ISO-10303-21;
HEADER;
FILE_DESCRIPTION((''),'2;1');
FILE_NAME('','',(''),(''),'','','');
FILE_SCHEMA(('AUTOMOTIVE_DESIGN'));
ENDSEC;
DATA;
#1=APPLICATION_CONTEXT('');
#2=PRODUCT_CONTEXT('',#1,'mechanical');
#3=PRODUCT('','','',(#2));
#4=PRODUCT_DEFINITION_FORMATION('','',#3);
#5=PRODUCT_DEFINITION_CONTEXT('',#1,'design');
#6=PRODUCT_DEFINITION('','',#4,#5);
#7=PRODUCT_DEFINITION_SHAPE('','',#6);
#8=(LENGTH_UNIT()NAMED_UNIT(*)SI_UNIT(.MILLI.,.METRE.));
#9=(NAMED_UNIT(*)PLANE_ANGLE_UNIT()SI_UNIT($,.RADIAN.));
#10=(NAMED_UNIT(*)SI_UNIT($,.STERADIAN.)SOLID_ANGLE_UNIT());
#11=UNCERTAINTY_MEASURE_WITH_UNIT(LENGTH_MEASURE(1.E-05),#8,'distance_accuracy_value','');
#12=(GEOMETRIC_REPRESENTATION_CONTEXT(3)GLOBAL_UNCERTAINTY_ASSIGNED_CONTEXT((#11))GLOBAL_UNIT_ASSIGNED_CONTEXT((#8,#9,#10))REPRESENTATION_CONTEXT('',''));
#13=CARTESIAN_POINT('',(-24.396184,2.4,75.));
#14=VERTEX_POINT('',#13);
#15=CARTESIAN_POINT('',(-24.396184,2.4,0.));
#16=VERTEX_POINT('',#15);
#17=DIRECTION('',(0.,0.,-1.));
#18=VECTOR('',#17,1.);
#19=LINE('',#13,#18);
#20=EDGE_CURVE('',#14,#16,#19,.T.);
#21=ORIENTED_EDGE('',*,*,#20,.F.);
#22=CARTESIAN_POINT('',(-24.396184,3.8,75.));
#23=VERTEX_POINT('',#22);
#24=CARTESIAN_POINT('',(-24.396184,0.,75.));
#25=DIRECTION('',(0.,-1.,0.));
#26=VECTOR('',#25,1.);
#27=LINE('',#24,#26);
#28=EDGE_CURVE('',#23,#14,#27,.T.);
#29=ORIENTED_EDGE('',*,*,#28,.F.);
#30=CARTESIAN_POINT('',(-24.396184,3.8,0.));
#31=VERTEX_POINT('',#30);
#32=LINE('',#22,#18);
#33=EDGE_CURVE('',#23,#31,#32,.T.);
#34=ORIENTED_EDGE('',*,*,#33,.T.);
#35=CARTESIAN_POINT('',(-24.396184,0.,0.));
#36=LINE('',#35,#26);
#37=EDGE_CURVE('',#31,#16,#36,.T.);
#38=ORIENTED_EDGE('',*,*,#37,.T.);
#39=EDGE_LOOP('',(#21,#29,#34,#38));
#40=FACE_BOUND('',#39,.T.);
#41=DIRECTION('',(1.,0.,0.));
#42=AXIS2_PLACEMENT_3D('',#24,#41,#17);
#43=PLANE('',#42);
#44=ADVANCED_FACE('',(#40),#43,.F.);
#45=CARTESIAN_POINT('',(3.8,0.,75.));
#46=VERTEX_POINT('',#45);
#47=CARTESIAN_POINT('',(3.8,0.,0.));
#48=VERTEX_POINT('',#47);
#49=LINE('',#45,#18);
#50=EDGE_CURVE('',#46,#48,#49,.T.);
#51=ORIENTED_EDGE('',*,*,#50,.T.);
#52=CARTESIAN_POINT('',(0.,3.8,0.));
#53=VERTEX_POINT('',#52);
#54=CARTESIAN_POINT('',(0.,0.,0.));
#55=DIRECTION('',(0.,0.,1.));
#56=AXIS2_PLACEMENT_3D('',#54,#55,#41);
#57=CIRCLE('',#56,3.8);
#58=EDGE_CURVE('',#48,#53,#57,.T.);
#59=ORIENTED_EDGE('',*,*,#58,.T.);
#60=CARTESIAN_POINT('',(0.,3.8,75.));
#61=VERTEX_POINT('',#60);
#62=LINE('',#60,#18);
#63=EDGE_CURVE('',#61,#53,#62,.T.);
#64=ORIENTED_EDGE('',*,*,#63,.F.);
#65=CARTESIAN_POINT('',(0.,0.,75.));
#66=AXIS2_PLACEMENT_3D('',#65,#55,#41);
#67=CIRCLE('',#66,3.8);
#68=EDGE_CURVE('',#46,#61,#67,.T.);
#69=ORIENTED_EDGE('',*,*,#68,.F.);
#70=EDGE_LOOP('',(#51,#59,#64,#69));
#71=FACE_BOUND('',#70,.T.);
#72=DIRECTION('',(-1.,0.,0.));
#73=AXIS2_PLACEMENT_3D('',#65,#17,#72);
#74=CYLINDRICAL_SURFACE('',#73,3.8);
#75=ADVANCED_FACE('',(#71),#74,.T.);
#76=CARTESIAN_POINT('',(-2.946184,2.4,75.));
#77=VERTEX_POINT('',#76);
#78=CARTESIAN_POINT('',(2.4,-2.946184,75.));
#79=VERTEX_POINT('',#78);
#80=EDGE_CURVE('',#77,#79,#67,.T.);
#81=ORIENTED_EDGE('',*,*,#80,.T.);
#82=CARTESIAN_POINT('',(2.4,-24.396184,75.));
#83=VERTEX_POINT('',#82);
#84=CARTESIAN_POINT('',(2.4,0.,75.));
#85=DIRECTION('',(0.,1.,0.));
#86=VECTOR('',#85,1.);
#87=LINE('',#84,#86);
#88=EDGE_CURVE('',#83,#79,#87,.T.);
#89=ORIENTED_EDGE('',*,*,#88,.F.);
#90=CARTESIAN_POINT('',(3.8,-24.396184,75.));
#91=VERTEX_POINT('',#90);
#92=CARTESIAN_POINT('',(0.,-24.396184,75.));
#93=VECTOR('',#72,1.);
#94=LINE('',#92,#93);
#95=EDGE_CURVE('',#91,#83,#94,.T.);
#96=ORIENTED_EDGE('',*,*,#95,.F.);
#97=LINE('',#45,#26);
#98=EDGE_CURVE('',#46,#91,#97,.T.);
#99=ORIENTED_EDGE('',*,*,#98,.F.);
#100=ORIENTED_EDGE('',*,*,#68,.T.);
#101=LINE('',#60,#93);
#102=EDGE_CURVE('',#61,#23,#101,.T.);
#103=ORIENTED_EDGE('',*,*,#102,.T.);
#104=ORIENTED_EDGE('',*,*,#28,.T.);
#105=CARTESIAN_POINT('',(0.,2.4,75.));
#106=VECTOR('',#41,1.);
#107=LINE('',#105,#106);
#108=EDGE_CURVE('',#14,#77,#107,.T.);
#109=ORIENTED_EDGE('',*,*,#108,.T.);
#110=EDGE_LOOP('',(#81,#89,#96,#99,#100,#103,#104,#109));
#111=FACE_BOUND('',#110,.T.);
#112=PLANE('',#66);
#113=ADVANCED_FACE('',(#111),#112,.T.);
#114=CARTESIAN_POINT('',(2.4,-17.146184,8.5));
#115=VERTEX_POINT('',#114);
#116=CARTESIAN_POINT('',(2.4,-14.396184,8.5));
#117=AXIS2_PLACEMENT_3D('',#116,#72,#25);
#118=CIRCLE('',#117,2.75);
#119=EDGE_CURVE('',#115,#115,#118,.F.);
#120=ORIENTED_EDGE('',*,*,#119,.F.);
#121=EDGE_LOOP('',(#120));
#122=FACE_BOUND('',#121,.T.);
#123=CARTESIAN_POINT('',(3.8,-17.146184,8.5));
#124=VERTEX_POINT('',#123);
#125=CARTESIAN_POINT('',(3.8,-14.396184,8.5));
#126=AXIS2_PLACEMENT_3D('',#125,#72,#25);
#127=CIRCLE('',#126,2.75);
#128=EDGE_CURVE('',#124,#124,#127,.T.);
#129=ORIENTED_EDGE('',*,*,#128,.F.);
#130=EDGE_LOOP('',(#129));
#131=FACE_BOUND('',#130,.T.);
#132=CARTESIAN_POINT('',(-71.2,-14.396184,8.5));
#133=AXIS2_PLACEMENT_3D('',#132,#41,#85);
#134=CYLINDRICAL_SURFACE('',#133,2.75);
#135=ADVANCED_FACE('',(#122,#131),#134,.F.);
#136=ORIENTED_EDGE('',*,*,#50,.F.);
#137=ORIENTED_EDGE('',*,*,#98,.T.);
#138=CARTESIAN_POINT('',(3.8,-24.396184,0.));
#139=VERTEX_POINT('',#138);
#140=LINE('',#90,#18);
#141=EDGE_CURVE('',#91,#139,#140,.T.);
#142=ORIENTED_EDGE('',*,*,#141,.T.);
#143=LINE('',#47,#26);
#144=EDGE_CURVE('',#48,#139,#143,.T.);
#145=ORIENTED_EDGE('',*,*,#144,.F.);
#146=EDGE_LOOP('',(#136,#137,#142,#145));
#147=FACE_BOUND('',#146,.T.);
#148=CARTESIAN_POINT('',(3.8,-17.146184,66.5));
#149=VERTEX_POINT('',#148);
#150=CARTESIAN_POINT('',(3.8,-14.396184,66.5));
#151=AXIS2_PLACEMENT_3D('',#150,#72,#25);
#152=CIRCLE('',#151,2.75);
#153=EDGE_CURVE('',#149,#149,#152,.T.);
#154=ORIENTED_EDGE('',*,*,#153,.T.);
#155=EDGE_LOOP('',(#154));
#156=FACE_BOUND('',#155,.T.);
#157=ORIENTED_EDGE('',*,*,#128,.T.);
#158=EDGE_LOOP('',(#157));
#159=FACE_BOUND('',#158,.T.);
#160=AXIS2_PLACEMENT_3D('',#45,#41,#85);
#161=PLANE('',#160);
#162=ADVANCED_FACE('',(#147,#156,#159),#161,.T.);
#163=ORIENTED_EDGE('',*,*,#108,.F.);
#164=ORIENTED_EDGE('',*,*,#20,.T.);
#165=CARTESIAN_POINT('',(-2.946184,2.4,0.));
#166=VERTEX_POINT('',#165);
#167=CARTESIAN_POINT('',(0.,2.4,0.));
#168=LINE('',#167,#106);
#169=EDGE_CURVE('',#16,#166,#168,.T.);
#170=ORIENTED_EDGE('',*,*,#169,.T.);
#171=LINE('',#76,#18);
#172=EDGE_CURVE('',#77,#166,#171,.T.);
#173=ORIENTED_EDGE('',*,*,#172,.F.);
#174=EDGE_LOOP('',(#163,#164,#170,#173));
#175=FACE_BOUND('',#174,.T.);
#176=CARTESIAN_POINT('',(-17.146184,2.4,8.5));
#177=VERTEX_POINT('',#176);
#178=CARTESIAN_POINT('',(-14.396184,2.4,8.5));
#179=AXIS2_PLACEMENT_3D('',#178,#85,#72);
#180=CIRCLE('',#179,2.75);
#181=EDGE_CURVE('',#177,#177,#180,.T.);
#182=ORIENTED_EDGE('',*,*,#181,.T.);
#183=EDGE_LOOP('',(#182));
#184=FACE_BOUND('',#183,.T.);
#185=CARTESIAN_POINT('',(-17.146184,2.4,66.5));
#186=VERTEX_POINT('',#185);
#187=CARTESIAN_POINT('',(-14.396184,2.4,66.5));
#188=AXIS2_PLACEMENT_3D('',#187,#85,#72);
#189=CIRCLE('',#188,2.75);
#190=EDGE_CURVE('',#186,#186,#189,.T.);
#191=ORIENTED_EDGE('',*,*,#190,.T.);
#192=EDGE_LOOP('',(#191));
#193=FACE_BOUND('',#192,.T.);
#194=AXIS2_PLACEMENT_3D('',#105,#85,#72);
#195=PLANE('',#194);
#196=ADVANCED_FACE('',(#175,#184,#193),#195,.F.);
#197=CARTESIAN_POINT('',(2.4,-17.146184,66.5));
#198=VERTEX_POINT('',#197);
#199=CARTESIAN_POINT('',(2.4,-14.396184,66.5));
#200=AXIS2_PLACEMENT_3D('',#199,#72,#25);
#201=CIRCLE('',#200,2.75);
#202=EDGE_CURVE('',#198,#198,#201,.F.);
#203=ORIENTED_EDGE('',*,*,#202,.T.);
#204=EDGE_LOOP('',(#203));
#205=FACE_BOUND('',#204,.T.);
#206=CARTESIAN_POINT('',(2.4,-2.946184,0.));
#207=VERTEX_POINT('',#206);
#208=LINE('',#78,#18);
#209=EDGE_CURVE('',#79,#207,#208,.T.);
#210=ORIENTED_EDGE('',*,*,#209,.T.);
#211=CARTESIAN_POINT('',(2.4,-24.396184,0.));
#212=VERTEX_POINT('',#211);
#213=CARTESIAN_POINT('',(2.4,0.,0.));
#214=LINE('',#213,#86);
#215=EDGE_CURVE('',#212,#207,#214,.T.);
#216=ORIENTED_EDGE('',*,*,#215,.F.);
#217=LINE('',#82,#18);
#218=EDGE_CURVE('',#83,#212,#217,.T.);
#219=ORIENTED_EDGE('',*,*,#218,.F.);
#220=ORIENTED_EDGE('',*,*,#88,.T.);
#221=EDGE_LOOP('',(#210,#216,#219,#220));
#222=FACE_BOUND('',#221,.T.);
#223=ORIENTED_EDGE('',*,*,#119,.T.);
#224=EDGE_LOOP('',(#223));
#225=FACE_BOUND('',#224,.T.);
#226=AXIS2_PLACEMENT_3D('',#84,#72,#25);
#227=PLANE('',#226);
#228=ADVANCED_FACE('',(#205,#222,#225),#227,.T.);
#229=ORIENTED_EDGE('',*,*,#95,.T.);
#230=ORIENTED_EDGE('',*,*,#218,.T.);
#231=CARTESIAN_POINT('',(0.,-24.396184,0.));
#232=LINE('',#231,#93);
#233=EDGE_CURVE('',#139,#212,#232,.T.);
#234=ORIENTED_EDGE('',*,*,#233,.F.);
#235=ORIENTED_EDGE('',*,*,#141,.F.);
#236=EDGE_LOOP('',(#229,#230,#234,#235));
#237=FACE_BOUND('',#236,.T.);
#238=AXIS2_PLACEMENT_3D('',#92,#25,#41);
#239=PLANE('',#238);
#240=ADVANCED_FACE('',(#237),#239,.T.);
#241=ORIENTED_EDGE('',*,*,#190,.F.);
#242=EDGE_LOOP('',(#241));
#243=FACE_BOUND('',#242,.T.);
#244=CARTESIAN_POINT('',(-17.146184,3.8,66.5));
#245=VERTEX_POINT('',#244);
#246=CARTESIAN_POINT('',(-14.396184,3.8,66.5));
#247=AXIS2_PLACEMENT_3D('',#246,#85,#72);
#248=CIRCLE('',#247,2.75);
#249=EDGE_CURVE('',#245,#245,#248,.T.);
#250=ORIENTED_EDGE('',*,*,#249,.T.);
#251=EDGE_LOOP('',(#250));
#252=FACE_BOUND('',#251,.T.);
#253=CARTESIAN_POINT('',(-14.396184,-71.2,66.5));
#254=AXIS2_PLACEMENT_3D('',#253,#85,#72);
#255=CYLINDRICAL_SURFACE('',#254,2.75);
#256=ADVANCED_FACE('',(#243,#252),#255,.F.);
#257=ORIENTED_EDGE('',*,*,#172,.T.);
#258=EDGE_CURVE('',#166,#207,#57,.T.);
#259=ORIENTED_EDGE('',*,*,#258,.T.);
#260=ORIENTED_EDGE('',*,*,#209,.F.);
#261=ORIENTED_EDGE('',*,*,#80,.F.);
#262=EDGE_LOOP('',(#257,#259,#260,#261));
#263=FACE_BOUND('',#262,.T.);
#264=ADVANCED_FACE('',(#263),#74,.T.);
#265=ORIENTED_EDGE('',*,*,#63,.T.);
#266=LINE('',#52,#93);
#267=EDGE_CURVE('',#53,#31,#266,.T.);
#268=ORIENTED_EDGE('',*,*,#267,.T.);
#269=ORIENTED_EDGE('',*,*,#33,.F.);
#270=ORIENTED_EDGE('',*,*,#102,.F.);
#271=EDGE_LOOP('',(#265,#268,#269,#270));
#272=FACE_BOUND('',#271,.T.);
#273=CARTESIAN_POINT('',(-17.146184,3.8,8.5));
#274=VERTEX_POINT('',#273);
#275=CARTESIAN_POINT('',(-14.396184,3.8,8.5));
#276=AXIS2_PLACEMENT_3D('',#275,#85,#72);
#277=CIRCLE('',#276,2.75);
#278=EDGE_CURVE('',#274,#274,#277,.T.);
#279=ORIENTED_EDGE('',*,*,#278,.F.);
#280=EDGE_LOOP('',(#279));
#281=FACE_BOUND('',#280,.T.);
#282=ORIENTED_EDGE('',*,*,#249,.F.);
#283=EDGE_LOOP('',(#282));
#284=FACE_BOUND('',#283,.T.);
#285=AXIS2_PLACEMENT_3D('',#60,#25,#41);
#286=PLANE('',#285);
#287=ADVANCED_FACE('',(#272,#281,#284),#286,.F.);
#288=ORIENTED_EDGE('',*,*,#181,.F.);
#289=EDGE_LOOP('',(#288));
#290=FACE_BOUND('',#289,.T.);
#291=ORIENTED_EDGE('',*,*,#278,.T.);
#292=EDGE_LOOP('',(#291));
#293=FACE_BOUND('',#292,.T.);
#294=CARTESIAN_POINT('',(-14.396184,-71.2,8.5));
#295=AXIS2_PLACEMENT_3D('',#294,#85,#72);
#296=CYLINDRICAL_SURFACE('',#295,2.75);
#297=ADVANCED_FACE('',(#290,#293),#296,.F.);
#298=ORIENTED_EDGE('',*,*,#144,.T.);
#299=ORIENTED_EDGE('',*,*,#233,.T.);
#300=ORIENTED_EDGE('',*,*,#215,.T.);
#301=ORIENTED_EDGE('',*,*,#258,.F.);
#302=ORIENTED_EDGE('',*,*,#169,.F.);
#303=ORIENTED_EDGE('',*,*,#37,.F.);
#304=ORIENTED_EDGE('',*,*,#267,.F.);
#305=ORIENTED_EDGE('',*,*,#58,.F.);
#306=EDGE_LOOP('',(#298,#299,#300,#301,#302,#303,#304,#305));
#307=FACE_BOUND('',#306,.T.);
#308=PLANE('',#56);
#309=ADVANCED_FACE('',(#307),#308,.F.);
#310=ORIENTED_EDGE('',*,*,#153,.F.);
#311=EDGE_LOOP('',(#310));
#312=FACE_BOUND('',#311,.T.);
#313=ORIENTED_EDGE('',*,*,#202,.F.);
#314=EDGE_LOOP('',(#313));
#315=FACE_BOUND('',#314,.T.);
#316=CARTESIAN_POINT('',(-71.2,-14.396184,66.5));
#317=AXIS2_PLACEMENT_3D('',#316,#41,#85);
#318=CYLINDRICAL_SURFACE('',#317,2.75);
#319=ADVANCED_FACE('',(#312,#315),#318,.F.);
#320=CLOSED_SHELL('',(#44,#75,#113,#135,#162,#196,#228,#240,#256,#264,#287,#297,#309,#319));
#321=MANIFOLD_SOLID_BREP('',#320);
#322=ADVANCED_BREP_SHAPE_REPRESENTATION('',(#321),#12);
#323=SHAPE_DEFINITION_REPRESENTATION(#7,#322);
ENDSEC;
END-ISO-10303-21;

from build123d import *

# Parameters (mm, degrees)
EXTRUDE_1_DEPTH     = 75
SKETCH_2_R          = 2.75
CUT_EXTRUDE_1_DEPTH = 75


with BuildPart() as part:
    # 草图1 → 凸台-拉伸1 (new body)
    with BuildSketch(Plane.XY):
        with BuildLine():
            Line((-24.396183973, 2.4), (-2.946183973, 2.4))
            ThreePointArc((-2.946183973, 2.4), (-2.687005769, -2.687005769), (2.4, -2.946183973))
            Line((2.4, -2.946183973), (2.4, -24.396183973))
            Line((2.4, -24.396183973), (3.8, -24.396183973))
            Line((3.8, -24.396183973), (3.8, 0))
            ThreePointArc((3.8, 0), (2.687005769, 2.687005769), (0, 3.8))
            Line((0, 3.8), (-24.396183973, 3.8))
            Line((-24.396183973, 3.8), (-24.396183973, 2.4))
        make_face()
    extrude(amount=EXTRUDE_1_DEPTH)

    # 草图2 → 切除-拉伸1 (cut)
    with BuildSketch(Plane(origin=(0, 3.8, 0), x_dir=(1, 0, 0), z_dir=(0, 1, 0))):
        with Locations(Location((-14.396183973, -8.5, 0), (0, 0, 180))):
            Circle(SKETCH_2_R)
        with Locations(Location((-14.396183973, -66.5, 0), (0, 0, 180))):
            Circle(SKETCH_2_R)
    cut_extrude_1 = extrude(amount=-CUT_EXTRUDE_1_DEPTH, mode=Mode.SUBTRACT)

    # 镜向1: 切除-拉伸1 across plane
    add(cut_extrude_1.mirror(Plane(origin=(0, 0, 0), x_dir=(0, 0, 1), z_dir=(-0.7071067811865488, 0.7071067811865464, 0))), mode=Mode.SUBTRACT)


solid = part.part
